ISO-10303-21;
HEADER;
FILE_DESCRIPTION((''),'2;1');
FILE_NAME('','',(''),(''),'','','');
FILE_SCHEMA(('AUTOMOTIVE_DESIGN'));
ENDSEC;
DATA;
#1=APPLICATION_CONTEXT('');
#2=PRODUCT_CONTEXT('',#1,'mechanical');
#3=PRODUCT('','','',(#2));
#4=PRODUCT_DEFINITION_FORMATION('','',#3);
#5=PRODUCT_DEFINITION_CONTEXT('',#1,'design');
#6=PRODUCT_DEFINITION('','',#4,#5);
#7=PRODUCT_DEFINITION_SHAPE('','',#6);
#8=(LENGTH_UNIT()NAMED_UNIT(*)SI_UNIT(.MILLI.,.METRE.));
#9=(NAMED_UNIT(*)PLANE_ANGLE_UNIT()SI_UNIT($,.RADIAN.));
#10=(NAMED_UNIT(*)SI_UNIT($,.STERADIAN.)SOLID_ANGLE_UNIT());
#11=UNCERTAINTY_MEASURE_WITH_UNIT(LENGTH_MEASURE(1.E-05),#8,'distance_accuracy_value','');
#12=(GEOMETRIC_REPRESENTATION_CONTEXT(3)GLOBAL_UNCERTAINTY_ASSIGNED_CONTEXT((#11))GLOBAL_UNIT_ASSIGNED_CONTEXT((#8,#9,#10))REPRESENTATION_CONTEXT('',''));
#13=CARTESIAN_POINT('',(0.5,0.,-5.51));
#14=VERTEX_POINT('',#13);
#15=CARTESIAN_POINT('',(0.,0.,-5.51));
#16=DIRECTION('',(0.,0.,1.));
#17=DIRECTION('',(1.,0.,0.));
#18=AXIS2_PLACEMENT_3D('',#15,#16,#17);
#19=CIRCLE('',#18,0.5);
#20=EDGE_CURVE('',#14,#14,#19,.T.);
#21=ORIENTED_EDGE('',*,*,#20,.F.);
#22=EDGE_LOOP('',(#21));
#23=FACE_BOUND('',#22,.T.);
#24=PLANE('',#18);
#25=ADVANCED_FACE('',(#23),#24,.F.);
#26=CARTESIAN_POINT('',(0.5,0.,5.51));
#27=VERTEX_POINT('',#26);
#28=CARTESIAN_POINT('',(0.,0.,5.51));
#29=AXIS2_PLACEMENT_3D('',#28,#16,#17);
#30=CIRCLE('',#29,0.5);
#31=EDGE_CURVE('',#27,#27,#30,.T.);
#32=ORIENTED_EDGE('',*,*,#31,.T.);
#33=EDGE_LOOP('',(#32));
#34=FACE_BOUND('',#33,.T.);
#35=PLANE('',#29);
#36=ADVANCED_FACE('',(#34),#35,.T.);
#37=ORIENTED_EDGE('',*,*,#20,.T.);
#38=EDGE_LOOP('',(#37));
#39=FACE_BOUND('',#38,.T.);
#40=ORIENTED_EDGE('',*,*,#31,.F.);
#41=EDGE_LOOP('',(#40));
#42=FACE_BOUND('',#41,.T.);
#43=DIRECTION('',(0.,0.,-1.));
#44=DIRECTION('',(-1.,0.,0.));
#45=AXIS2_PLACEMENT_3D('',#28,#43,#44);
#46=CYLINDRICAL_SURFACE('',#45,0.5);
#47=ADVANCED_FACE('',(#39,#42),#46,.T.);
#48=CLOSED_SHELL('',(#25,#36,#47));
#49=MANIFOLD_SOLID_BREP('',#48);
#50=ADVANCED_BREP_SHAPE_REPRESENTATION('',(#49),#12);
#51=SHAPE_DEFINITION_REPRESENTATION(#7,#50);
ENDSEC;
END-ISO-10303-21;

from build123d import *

# Parameters (mm, degrees)
IZIM1_R                     = 0.5
Y_KSEKLIK_EKSTR_ZYON1_DEPTH = 5.51


with BuildPart() as part:
    # Çizim1 → Yükseklik-Ekstrüzyon1 (new body, symmetric)
    with BuildSketch(Plane.XY):
        Circle(IZIM1_R)
    extrude(amount=Y_KSEKLIK_EKSTR_ZYON1_DEPTH, both=True)


solid = part.part
